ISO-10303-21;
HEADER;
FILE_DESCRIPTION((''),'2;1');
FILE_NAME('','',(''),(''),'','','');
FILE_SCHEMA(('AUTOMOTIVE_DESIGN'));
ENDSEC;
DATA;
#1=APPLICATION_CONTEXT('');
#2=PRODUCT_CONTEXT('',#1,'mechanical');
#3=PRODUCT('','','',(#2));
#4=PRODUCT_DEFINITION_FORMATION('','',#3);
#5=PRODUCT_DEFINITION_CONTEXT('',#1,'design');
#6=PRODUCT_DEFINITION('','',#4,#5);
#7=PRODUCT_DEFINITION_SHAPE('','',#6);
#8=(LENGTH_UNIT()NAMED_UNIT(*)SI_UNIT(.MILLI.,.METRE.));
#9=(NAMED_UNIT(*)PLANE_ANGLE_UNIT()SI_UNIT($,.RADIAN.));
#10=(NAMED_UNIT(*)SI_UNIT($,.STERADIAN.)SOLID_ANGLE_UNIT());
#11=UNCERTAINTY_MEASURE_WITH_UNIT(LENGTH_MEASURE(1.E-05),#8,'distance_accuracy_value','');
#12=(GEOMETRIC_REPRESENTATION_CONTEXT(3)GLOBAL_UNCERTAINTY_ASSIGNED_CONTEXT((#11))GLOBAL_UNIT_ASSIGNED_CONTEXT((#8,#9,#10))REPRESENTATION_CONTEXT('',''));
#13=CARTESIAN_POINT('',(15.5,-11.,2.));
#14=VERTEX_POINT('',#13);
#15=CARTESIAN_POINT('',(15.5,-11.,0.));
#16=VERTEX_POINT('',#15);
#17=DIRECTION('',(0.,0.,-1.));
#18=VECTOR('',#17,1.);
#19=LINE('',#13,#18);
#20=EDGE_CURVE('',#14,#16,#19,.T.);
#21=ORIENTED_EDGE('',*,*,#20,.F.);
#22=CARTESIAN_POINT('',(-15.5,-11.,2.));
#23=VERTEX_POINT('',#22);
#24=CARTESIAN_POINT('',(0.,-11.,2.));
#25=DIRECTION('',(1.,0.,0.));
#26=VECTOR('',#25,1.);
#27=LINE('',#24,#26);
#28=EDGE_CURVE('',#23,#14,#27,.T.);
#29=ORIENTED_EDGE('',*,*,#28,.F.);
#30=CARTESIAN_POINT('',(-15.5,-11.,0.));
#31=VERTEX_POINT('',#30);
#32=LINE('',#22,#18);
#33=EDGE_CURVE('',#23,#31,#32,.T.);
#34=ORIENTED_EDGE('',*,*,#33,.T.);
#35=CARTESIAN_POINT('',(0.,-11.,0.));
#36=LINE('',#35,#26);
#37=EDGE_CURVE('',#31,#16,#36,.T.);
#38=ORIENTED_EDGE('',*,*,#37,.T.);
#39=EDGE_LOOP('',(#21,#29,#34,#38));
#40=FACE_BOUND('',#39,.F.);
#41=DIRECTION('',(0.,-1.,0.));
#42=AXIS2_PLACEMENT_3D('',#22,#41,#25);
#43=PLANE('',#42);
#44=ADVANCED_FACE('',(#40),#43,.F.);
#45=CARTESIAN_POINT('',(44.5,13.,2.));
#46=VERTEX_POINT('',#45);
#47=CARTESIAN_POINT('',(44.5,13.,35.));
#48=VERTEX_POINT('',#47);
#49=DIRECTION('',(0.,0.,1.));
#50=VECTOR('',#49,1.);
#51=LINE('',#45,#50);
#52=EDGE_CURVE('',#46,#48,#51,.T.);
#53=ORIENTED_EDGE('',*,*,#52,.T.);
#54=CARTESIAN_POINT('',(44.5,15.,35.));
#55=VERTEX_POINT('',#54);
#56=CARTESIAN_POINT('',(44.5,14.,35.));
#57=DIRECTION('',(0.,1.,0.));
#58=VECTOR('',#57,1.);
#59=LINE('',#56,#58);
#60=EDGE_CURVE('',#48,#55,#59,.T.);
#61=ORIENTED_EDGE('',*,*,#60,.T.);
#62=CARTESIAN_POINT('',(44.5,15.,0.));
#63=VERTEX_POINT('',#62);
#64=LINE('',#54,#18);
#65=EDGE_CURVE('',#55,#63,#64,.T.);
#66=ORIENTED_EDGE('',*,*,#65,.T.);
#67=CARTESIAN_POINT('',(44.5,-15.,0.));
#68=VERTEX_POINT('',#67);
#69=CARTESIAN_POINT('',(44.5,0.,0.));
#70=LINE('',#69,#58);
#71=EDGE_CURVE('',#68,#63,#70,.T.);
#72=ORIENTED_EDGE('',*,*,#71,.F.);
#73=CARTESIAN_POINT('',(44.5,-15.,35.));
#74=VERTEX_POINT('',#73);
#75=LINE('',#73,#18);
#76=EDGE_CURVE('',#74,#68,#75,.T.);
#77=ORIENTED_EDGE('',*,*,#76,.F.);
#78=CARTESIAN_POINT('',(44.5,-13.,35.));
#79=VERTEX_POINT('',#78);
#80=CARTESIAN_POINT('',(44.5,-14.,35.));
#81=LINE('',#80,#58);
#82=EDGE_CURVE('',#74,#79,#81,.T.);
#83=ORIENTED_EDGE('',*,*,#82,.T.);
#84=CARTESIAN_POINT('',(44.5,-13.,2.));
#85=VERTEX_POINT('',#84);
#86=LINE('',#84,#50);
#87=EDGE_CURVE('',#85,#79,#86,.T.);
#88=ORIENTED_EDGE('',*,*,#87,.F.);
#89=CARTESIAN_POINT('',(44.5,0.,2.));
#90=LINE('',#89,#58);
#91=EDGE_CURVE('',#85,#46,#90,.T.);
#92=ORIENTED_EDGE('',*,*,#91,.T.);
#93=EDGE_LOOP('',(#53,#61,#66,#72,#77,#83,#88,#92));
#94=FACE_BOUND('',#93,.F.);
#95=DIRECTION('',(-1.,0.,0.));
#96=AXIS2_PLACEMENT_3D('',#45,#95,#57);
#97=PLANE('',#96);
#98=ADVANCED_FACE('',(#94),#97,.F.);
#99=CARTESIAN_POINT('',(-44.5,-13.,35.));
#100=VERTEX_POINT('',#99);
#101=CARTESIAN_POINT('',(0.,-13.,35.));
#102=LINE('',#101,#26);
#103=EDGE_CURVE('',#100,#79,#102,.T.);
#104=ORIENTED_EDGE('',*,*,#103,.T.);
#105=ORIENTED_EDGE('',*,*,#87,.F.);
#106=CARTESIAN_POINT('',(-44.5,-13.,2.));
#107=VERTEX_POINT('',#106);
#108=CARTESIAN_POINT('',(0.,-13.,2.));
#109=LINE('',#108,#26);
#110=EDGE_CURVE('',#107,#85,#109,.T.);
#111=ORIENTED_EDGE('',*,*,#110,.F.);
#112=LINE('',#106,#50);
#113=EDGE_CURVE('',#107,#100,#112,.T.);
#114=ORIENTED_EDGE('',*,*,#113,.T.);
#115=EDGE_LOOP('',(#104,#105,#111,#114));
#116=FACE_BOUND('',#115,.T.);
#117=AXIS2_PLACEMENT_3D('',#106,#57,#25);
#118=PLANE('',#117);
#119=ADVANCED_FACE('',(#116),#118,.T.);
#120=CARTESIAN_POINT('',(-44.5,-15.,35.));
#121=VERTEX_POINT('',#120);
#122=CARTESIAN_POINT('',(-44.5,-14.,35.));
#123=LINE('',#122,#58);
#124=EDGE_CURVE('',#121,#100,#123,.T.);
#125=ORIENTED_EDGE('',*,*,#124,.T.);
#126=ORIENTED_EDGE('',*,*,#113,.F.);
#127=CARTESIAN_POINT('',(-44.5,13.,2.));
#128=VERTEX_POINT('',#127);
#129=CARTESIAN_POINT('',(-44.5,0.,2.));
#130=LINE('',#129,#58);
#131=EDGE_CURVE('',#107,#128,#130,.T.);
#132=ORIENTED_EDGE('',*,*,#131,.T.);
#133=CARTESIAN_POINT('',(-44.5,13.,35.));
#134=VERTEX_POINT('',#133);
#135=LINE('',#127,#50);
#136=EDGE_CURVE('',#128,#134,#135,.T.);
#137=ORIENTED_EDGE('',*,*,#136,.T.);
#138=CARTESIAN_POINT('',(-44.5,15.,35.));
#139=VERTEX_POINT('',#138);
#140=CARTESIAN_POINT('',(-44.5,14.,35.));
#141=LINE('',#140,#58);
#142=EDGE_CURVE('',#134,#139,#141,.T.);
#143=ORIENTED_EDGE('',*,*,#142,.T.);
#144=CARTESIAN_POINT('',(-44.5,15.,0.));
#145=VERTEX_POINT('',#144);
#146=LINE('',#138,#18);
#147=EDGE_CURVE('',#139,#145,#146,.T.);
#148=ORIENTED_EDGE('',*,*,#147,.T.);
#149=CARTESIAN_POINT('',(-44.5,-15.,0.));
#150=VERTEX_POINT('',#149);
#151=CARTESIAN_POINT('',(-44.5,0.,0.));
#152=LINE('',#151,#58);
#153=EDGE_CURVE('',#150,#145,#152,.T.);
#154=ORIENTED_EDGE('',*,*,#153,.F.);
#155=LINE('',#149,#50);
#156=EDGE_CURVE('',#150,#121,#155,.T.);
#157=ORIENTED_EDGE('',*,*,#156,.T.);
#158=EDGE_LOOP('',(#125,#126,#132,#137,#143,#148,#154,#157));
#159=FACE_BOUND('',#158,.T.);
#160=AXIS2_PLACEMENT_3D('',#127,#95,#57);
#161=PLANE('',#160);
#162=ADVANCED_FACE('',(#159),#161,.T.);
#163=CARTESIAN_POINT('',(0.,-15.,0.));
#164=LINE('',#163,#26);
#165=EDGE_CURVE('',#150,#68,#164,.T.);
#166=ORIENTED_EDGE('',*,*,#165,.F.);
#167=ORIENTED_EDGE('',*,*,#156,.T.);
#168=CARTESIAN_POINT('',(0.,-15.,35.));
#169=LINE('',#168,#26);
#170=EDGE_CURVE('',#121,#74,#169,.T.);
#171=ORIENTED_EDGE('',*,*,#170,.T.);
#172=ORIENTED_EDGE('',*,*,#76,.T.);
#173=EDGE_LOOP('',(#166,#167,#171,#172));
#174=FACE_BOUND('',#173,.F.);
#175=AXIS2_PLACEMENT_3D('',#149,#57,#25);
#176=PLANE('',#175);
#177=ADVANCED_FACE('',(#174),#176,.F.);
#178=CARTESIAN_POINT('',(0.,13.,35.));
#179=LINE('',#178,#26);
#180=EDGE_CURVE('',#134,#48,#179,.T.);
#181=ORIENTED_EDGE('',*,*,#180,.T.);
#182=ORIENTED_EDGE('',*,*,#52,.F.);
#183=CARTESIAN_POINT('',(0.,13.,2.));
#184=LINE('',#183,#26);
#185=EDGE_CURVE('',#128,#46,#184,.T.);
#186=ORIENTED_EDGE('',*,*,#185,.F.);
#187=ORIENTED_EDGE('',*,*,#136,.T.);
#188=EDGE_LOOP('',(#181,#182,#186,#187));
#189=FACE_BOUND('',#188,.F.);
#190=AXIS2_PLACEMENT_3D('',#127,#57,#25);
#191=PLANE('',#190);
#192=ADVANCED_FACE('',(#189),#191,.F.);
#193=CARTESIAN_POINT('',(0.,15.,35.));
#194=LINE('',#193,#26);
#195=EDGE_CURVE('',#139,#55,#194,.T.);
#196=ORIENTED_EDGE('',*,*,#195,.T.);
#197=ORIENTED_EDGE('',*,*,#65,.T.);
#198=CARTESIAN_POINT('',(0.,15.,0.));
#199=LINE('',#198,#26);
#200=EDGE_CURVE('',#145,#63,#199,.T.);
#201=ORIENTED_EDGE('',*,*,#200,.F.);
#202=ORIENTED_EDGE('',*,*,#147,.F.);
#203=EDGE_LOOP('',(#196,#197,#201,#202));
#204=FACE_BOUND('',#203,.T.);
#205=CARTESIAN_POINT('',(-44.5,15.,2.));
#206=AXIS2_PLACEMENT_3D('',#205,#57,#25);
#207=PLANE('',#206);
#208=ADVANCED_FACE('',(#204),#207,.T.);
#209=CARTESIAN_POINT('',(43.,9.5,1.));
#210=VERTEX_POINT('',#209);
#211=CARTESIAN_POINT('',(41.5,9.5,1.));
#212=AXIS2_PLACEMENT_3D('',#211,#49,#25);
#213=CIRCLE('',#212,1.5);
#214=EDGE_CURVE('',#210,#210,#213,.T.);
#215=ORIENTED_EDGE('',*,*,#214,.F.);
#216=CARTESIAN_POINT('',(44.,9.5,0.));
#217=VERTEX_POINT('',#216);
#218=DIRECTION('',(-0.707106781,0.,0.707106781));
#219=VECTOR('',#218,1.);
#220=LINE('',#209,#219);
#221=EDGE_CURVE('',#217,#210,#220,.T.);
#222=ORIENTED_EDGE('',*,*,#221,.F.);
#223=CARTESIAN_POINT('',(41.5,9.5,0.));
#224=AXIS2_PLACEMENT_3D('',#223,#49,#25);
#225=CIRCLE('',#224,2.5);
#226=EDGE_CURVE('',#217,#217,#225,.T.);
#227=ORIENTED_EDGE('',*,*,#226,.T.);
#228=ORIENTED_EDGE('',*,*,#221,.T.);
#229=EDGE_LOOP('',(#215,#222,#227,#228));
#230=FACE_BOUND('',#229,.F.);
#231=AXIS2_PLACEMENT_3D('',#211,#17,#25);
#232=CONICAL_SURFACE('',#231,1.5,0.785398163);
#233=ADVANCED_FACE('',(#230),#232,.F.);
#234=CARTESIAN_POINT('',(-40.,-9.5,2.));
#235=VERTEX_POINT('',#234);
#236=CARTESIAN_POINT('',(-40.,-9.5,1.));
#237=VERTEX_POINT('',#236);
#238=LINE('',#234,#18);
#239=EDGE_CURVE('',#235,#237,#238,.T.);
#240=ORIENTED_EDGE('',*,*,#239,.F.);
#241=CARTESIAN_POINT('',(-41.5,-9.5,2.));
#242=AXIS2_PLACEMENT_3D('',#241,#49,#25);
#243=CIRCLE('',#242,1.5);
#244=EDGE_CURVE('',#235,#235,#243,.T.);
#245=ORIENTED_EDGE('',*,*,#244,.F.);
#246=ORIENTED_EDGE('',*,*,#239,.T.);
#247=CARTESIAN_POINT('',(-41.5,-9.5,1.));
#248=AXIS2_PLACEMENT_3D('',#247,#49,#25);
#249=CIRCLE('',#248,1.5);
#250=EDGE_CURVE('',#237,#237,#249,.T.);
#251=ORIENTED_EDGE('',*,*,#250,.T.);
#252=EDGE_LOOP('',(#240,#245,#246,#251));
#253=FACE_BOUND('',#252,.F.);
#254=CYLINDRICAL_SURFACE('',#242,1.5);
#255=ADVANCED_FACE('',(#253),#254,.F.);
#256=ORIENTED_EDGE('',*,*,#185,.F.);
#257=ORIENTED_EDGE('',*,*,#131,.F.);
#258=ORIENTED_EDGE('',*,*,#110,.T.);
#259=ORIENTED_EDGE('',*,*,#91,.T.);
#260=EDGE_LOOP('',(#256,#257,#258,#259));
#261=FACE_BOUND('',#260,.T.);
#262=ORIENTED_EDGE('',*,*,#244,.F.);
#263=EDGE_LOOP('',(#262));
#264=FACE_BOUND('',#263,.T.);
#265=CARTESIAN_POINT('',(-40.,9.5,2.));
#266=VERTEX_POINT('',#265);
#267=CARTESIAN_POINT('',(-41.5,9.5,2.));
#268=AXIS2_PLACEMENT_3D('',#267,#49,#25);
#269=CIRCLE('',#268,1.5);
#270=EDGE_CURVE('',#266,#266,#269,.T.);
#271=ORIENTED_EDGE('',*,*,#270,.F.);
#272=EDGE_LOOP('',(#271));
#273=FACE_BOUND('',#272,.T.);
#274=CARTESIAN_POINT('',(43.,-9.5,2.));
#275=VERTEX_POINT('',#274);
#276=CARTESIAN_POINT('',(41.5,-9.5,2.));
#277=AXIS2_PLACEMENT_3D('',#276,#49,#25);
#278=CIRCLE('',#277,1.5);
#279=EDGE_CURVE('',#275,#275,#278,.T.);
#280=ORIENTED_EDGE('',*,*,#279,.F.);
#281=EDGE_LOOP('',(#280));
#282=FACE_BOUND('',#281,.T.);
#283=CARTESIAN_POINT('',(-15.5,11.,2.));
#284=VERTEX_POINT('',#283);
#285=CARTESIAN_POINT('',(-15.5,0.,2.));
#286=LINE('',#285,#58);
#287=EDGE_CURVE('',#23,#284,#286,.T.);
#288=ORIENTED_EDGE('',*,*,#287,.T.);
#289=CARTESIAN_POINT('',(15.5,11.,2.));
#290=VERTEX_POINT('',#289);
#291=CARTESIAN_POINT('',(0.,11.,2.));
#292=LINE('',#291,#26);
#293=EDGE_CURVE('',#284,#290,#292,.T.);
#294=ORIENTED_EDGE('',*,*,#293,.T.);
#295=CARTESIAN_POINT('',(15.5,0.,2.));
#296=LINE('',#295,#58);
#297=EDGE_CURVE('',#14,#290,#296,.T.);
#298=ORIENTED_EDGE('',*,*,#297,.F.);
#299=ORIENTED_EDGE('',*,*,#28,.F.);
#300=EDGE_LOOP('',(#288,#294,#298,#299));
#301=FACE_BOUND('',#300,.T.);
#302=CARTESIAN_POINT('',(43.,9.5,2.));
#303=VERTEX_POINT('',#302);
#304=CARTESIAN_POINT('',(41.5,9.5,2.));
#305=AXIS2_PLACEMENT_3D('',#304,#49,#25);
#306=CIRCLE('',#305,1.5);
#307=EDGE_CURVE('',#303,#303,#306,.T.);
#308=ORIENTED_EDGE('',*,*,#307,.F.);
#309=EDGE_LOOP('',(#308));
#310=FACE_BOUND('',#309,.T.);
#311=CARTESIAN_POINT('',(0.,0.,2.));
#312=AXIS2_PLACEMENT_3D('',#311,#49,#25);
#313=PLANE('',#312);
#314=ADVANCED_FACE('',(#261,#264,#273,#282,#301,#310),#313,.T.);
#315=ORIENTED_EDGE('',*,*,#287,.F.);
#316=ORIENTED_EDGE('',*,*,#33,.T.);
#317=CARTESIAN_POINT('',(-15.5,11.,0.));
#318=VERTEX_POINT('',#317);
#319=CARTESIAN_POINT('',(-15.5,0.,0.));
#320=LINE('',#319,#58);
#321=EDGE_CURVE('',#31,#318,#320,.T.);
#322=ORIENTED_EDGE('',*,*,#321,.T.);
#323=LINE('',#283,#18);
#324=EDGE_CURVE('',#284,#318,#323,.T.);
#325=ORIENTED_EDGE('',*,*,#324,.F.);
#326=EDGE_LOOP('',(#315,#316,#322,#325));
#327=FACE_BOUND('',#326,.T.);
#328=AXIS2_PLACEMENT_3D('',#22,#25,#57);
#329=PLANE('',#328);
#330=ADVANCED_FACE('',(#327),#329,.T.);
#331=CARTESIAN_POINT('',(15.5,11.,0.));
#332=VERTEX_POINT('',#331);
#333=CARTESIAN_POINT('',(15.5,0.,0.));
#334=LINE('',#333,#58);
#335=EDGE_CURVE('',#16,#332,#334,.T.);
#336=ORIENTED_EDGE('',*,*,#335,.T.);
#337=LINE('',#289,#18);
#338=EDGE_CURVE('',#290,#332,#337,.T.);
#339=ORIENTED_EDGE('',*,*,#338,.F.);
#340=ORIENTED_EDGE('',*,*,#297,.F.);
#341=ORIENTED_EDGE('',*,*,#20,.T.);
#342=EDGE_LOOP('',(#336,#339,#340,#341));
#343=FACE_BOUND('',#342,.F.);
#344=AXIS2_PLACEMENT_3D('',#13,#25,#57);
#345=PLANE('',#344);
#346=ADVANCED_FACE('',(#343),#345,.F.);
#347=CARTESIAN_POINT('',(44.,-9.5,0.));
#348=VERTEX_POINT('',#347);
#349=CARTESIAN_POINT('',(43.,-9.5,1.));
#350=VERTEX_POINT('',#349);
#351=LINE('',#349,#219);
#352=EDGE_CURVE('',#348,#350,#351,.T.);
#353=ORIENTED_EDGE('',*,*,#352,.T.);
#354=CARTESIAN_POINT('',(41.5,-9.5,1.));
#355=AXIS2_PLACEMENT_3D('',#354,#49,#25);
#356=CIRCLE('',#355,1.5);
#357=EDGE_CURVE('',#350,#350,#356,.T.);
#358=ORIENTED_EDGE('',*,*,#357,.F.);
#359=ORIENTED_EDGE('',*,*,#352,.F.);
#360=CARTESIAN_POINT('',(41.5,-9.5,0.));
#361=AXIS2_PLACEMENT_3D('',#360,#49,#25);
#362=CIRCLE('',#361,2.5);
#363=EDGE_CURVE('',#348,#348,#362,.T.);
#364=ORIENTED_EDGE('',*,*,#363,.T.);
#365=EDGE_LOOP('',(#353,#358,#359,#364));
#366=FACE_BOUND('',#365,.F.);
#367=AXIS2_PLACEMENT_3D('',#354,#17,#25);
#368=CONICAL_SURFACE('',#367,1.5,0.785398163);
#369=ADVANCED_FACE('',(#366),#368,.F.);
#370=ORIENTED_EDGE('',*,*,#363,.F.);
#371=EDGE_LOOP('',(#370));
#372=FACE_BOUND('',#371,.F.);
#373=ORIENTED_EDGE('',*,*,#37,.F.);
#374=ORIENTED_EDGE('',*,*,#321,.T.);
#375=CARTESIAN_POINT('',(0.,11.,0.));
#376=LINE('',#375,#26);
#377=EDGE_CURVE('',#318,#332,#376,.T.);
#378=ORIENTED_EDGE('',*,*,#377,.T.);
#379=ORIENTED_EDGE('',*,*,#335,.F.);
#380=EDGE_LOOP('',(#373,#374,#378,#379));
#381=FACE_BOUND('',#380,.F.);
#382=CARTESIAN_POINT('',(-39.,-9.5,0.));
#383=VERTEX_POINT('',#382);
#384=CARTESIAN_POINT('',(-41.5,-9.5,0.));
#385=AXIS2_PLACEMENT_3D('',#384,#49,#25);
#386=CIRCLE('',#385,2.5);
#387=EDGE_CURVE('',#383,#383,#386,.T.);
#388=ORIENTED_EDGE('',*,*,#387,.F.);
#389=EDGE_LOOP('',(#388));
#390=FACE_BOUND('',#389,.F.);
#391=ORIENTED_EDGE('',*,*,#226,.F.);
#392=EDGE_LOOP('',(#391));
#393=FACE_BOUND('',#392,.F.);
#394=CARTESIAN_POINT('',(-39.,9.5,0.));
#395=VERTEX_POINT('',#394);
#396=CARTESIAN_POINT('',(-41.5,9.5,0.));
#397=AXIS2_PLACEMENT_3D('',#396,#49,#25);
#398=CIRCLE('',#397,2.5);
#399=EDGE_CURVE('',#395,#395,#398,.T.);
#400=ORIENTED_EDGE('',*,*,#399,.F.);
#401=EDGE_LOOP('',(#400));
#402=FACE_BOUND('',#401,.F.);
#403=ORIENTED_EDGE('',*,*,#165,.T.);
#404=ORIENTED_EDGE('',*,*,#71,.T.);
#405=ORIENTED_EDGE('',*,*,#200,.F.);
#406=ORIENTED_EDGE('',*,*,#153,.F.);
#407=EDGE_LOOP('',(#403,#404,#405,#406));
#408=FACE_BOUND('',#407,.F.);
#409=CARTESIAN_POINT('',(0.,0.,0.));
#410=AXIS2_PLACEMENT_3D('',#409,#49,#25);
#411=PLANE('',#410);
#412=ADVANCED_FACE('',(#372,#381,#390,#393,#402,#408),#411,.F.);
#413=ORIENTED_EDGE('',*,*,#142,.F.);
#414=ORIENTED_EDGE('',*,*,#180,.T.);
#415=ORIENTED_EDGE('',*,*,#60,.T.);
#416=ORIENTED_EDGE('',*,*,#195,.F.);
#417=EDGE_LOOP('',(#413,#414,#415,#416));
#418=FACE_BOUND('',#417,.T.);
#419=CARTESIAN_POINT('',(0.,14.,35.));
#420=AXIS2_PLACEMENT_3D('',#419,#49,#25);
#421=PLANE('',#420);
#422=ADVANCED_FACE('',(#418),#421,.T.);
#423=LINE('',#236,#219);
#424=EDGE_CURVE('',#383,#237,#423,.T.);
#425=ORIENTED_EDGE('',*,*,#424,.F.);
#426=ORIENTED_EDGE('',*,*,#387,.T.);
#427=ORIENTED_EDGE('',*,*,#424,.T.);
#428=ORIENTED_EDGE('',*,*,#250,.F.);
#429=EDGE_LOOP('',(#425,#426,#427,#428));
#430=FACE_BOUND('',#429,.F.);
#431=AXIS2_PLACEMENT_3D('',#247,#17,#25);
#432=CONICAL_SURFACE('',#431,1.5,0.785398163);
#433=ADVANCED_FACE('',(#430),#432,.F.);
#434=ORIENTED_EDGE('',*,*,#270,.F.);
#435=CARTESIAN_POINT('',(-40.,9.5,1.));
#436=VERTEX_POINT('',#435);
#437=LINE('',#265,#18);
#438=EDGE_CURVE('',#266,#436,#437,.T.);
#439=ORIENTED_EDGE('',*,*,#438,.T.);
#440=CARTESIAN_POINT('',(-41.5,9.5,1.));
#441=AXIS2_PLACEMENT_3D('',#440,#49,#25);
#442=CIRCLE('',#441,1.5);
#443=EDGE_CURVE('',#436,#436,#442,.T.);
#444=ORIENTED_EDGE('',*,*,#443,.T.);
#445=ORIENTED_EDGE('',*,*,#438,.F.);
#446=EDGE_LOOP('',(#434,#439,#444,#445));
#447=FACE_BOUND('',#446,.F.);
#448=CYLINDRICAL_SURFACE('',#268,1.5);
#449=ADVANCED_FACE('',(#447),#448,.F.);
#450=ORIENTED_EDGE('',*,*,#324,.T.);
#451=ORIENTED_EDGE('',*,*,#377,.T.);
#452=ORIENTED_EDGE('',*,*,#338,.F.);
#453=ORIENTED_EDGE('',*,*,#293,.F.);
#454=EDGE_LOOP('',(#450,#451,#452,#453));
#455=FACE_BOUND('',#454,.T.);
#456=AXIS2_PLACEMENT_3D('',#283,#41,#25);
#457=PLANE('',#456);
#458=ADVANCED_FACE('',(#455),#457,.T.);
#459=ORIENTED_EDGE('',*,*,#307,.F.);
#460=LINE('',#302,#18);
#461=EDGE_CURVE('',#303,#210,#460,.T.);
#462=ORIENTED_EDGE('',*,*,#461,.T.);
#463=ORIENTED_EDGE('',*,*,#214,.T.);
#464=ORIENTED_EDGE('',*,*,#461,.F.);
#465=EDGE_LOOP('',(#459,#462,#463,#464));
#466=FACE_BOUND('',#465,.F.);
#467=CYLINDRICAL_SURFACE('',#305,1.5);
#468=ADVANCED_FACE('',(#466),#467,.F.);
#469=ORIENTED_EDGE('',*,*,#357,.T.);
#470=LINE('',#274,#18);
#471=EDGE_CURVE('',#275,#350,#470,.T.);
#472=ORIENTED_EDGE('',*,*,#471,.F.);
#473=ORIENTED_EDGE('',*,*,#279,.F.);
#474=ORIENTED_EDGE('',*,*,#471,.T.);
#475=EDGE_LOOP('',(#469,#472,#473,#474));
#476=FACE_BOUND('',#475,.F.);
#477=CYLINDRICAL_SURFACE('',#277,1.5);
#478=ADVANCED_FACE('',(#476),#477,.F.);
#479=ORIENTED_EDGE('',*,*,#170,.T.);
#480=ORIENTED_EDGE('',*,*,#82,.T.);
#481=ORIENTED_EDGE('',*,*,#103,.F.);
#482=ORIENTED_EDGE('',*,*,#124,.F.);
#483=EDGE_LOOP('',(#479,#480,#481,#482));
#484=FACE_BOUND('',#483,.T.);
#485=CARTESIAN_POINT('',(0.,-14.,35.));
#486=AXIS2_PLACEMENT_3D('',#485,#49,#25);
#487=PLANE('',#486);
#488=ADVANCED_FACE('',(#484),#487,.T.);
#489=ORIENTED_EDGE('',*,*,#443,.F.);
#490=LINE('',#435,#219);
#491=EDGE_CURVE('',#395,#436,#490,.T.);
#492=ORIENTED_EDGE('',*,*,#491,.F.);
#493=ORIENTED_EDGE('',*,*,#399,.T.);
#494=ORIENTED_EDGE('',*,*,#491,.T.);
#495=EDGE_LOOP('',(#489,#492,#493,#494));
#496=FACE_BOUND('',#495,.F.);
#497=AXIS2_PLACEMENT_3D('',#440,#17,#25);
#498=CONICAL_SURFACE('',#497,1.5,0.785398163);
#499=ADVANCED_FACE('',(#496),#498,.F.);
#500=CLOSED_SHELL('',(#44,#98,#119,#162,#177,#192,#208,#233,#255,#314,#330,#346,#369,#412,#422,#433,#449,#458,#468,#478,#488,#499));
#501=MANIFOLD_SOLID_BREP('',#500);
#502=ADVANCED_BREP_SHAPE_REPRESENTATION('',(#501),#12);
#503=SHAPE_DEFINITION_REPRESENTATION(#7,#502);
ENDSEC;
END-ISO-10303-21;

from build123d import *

# Parameters (mm, degrees)
SKETCH_W     = 89
SKETCH_H     = 30
PAD_DEPTH    = 2
SKETCH001_W  = 89
SKETCH001_H  = 2
PAD001_DEPTH = 33
SKETCH002_R  = 1.5
SKETCH002_W  = 31
SKETCH002_H  = 22
POCKET_DEPTH = 2
CHAMFER_SIZE = 1


with BuildPart() as part:
    # Sketch → Pad (new body)
    with BuildSketch(Plane.XY):
        Rectangle(SKETCH_W, SKETCH_H)
    extrude(amount=PAD_DEPTH)

    # Sketch001 (on Face6 of Pad) → Pad001 (join)
    with BuildSketch(Plane.XY.offset(2)):
        with Locations((0, 14)):
            Rectangle(SKETCH001_W, SKETCH001_H)
        with Locations((0, -14)):
            Rectangle(SKETCH001_W, SKETCH001_H)
    extrude(amount=PAD001_DEPTH)

    # Sketch002 (on Face8 of Pad001) → Pocket (cut)
    with BuildSketch(Plane.XY.offset(2)):
        with Locations((41.5, 9.5)):
            Circle(SKETCH002_R)
        with Locations((41.5, -9.5)):
            Circle(SKETCH002_R)
        with Locations((-41.5, -9.5)):
            Circle(SKETCH002_R)
        with Locations((-41.5, 9.5)):
            Circle(SKETCH002_R)
        Rectangle(SKETCH002_W, SKETCH002_H)
    extrude(amount=-POCKET_DEPTH, mode=Mode.SUBTRACT)

    # Chamfer
    chamfer_edges = [part.edges().sort_by_distance(p)[0] for p in [
        (-43, 9.5, 0),
        (-43, -9.5, 0),
        (40, -9.5, 0),
        (40, 9.5, 0),
    ]]
    chamfer(chamfer_edges, length=CHAMFER_SIZE)


solid = part.part
